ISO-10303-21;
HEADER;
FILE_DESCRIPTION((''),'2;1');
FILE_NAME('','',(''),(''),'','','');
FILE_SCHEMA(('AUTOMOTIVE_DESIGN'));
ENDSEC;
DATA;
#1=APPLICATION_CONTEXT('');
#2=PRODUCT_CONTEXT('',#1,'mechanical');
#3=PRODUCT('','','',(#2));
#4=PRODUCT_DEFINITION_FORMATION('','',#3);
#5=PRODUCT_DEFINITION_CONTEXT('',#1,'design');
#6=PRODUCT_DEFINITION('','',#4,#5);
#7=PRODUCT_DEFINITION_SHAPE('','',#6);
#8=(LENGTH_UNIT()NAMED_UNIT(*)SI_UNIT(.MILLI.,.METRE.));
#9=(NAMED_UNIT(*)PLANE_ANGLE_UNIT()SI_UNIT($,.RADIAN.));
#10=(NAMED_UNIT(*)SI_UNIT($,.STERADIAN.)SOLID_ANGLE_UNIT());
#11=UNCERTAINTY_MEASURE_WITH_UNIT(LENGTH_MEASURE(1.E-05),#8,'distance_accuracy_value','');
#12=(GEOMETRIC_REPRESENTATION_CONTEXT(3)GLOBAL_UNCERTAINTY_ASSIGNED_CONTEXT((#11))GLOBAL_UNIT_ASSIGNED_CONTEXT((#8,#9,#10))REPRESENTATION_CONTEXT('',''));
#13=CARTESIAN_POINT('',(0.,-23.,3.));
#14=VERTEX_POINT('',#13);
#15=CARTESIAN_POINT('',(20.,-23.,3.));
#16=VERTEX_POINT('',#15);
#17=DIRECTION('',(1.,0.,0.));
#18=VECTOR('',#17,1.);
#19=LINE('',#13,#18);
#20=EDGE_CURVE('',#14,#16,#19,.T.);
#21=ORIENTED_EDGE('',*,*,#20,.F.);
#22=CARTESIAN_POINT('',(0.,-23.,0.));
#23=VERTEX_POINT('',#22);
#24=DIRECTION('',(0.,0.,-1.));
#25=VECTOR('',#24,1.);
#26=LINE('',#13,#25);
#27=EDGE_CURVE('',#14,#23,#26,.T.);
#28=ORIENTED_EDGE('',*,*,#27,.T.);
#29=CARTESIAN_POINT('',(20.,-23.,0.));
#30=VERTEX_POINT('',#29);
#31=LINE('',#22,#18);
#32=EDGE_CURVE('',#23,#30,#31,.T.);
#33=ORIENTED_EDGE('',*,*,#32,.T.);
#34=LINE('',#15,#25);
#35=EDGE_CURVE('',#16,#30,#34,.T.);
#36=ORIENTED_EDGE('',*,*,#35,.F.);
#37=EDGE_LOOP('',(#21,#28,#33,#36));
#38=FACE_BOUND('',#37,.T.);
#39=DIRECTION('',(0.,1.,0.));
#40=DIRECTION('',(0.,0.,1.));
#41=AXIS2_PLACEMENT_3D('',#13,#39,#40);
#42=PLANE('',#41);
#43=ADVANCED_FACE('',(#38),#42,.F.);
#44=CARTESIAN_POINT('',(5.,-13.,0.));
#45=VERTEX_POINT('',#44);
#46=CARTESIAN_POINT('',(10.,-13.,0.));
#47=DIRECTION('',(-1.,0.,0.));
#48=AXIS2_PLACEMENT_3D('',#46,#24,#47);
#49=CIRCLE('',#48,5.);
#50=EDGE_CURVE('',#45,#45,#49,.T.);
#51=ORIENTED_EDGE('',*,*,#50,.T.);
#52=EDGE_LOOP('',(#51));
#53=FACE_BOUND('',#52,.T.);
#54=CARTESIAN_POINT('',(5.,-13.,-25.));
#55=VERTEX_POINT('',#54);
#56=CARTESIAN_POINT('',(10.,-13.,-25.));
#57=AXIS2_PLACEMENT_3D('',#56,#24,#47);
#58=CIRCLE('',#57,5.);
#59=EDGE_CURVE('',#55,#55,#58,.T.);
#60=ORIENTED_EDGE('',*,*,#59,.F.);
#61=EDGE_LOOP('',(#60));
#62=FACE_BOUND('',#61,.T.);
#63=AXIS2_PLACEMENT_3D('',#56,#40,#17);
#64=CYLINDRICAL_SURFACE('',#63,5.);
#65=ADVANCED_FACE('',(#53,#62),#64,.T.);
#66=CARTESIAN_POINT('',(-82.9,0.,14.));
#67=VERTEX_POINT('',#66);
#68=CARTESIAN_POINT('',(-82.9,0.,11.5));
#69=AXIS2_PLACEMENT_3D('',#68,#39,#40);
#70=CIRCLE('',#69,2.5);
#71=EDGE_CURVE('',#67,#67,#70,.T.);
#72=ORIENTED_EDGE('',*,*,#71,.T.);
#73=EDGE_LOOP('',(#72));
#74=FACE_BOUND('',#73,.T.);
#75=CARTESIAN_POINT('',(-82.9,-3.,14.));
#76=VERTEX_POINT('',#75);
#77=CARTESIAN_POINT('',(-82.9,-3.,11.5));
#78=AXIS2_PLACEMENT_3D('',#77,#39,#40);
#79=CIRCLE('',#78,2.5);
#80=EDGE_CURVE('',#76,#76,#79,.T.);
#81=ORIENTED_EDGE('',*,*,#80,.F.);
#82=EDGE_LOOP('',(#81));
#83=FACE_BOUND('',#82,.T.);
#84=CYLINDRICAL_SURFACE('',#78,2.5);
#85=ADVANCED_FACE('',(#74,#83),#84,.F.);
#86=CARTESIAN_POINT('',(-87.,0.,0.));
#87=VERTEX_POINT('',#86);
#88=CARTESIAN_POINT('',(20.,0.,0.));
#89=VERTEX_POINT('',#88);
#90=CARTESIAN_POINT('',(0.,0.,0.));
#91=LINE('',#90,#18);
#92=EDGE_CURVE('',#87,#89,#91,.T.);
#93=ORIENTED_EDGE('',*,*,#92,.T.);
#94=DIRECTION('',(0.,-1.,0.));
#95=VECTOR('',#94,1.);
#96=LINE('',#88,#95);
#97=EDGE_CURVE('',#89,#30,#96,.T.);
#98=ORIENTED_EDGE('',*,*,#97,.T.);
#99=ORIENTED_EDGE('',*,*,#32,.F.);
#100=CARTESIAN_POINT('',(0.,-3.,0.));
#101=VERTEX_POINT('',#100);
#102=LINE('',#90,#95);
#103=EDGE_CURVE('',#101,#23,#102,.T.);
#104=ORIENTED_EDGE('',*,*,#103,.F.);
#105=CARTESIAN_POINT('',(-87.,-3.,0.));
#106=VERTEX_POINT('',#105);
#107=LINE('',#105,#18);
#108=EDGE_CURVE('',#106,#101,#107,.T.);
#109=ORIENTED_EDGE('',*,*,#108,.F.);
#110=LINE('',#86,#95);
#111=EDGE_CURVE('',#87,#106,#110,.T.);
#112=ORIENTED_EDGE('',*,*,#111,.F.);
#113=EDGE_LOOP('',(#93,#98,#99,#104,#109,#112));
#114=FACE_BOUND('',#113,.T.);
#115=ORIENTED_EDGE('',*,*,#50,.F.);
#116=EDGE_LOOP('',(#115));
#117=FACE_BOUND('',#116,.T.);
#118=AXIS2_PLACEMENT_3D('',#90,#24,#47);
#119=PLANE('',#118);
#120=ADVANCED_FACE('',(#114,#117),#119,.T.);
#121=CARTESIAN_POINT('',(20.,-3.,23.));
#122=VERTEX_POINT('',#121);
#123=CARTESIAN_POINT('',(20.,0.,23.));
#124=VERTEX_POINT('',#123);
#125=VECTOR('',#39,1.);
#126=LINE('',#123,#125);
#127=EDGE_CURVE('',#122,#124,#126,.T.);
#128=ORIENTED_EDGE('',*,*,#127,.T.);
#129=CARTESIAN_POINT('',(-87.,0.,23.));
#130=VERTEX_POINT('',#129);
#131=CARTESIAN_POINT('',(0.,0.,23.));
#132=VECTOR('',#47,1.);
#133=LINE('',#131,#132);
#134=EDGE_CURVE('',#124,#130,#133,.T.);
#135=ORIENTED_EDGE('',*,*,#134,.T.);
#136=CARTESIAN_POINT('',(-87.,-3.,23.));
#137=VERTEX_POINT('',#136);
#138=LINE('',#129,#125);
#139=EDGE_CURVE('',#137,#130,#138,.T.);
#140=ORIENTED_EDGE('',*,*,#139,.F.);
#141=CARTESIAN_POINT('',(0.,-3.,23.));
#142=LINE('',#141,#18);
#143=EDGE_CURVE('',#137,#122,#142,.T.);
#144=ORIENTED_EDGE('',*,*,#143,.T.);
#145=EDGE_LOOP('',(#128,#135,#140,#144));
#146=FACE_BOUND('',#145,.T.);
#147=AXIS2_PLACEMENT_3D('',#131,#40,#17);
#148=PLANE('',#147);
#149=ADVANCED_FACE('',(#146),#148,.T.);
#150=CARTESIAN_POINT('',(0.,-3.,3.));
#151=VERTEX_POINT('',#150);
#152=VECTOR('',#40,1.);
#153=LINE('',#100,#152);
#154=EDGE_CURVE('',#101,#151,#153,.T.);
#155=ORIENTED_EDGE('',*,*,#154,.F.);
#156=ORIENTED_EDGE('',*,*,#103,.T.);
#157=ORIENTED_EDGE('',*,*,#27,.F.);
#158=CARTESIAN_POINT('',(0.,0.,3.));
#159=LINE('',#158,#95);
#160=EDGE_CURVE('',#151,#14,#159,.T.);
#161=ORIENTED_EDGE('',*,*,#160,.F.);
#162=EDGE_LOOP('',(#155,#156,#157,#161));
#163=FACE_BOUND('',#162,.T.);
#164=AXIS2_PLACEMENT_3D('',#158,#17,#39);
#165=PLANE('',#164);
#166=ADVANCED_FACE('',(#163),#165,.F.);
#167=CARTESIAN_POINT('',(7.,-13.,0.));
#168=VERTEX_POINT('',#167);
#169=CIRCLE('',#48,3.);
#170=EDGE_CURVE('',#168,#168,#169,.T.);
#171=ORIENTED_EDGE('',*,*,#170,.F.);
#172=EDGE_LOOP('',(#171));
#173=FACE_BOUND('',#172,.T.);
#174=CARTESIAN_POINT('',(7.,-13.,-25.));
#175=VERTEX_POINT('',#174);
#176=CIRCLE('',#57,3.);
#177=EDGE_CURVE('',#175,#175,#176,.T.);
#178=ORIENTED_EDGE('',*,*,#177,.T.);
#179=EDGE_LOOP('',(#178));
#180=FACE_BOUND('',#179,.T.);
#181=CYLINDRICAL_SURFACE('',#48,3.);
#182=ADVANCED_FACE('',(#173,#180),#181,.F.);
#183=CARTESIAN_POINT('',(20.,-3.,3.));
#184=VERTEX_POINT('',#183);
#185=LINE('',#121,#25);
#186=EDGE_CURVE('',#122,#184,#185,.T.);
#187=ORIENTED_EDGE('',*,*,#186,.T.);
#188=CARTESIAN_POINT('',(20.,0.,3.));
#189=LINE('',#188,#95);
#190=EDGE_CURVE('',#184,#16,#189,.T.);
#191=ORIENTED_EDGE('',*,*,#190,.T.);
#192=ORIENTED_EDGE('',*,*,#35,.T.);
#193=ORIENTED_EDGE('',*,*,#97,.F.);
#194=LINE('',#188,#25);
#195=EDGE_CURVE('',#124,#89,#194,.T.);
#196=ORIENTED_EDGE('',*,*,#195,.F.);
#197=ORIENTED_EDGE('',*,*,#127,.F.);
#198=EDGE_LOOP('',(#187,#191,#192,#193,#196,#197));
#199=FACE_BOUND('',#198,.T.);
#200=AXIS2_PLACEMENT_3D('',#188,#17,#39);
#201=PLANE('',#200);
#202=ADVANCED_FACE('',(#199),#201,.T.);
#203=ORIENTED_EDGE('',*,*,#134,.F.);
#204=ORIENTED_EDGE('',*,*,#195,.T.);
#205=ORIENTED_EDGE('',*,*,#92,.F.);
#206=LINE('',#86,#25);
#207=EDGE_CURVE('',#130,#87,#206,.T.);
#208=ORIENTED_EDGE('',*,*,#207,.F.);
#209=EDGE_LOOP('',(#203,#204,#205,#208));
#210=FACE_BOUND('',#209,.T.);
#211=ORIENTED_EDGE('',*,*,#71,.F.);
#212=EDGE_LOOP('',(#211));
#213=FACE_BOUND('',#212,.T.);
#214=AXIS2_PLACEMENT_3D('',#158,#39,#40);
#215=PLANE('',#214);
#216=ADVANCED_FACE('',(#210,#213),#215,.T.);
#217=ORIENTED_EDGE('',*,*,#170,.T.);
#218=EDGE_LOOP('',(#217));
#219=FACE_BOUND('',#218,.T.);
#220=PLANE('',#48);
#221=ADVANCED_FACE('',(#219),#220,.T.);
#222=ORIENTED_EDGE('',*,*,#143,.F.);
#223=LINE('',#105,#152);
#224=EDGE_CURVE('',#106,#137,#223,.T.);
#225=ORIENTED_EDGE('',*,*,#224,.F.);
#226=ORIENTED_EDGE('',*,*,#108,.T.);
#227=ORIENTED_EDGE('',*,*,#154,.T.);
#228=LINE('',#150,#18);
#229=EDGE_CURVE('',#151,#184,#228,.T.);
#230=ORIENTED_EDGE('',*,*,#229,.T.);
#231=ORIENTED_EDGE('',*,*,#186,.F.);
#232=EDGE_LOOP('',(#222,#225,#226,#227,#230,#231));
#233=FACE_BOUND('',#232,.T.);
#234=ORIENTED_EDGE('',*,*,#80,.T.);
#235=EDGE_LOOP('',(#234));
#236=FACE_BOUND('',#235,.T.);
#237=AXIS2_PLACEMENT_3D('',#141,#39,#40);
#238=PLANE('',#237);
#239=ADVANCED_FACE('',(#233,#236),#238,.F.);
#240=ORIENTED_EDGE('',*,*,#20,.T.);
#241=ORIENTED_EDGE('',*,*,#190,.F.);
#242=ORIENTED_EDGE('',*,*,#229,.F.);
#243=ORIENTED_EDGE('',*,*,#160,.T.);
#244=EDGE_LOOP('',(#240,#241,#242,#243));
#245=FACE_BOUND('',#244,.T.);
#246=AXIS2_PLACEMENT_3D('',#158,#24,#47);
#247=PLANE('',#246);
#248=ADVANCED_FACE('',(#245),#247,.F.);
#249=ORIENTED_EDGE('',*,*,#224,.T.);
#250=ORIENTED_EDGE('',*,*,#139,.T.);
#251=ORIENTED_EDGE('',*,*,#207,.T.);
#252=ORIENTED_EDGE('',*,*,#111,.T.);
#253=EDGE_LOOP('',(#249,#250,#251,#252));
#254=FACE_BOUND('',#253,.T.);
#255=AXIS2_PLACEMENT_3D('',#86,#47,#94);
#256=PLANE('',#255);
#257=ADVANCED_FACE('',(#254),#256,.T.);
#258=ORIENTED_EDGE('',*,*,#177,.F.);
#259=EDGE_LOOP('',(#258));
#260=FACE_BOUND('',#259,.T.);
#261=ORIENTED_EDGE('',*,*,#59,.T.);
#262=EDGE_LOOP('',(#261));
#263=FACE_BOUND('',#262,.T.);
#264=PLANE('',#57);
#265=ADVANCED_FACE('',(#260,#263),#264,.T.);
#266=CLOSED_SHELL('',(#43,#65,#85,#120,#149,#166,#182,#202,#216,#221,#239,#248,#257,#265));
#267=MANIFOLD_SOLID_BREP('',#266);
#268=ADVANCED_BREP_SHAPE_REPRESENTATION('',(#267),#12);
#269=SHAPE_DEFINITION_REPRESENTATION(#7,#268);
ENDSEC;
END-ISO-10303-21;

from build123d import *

# Parameters (mm, degrees)
SKETCH1_W           = 20
SKETCH1_H           = 23
BOSS_EXTRUDE1_DEPTH = 3
SKETCH2_W           = 20
SKETCH2_H           = 3
BOSS_EXTRUDE2_DEPTH = 20
SKETCH3_R           = 5
BOSS_EXTRUDE3_DEPTH = 25
SKETCH4_R           = 3
CUT_EXTRUDE1_DEPTH  = 25
SKETCH5_W           = 23
SKETCH5_H           = 3
BOSS_EXTRUDE4_DEPTH = 87
SKETCH6_R           = 2.5
CUT_EXTRUDE2_DEPTH  = 3


with BuildPart() as part:
    # Sketch1 → Boss-Extrude1 (new body)
    with BuildSketch(Plane.XY):
        with Locations((10, -11.5)):
            Rectangle(SKETCH1_W, SKETCH1_H)
    extrude(amount=BOSS_EXTRUDE1_DEPTH)

    # Sketch2 → Boss-Extrude2 (add)
    with BuildSketch(Plane.XY.offset(3)):
        with Locations((10, -1.5)):
            Rectangle(SKETCH2_W, SKETCH2_H)
    extrude(amount=BOSS_EXTRUDE2_DEPTH)

    # Sketch3 → Boss-Extrude3 (add)
    with BuildSketch(Plane(origin=(0, 0, 0), x_dir=(-1, 0, 0), z_dir=(0, 0, -1))):
        with Locations((-10, -13)):
            Circle(SKETCH3_R)
    extrude(amount=BOSS_EXTRUDE3_DEPTH)

    # Sketch4 → Cut-Extrude1 (cut)
    with BuildSketch(Plane(origin=(0, 0, -25), x_dir=(-1, 0, 0), z_dir=(0, 0, -1))):
        with Locations((-10, -13)):
            Circle(SKETCH4_R)
    extrude(amount=-CUT_EXTRUDE1_DEPTH, mode=Mode.SUBTRACT)

    # Sketch5 → Boss-Extrude4 (add)
    with BuildSketch(Plane.ZY):
        with Locations((11.5, -1.5)):
            Rectangle(SKETCH5_W, SKETCH5_H)
    extrude(amount=BOSS_EXTRUDE4_DEPTH)

    # Sketch6 → Cut-Extrude2 (cut)
    with BuildSketch(Plane(origin=(0, 0, 0), x_dir=(1, 0, 0), z_dir=(0, 1, 0))):
        with Locations(Location((-82.9, -11.5, 0), (0, 0, 270))):
            Circle(SKETCH6_R)
    extrude(amount=-CUT_EXTRUDE2_DEPTH, mode=Mode.SUBTRACT)


solid = part.part
